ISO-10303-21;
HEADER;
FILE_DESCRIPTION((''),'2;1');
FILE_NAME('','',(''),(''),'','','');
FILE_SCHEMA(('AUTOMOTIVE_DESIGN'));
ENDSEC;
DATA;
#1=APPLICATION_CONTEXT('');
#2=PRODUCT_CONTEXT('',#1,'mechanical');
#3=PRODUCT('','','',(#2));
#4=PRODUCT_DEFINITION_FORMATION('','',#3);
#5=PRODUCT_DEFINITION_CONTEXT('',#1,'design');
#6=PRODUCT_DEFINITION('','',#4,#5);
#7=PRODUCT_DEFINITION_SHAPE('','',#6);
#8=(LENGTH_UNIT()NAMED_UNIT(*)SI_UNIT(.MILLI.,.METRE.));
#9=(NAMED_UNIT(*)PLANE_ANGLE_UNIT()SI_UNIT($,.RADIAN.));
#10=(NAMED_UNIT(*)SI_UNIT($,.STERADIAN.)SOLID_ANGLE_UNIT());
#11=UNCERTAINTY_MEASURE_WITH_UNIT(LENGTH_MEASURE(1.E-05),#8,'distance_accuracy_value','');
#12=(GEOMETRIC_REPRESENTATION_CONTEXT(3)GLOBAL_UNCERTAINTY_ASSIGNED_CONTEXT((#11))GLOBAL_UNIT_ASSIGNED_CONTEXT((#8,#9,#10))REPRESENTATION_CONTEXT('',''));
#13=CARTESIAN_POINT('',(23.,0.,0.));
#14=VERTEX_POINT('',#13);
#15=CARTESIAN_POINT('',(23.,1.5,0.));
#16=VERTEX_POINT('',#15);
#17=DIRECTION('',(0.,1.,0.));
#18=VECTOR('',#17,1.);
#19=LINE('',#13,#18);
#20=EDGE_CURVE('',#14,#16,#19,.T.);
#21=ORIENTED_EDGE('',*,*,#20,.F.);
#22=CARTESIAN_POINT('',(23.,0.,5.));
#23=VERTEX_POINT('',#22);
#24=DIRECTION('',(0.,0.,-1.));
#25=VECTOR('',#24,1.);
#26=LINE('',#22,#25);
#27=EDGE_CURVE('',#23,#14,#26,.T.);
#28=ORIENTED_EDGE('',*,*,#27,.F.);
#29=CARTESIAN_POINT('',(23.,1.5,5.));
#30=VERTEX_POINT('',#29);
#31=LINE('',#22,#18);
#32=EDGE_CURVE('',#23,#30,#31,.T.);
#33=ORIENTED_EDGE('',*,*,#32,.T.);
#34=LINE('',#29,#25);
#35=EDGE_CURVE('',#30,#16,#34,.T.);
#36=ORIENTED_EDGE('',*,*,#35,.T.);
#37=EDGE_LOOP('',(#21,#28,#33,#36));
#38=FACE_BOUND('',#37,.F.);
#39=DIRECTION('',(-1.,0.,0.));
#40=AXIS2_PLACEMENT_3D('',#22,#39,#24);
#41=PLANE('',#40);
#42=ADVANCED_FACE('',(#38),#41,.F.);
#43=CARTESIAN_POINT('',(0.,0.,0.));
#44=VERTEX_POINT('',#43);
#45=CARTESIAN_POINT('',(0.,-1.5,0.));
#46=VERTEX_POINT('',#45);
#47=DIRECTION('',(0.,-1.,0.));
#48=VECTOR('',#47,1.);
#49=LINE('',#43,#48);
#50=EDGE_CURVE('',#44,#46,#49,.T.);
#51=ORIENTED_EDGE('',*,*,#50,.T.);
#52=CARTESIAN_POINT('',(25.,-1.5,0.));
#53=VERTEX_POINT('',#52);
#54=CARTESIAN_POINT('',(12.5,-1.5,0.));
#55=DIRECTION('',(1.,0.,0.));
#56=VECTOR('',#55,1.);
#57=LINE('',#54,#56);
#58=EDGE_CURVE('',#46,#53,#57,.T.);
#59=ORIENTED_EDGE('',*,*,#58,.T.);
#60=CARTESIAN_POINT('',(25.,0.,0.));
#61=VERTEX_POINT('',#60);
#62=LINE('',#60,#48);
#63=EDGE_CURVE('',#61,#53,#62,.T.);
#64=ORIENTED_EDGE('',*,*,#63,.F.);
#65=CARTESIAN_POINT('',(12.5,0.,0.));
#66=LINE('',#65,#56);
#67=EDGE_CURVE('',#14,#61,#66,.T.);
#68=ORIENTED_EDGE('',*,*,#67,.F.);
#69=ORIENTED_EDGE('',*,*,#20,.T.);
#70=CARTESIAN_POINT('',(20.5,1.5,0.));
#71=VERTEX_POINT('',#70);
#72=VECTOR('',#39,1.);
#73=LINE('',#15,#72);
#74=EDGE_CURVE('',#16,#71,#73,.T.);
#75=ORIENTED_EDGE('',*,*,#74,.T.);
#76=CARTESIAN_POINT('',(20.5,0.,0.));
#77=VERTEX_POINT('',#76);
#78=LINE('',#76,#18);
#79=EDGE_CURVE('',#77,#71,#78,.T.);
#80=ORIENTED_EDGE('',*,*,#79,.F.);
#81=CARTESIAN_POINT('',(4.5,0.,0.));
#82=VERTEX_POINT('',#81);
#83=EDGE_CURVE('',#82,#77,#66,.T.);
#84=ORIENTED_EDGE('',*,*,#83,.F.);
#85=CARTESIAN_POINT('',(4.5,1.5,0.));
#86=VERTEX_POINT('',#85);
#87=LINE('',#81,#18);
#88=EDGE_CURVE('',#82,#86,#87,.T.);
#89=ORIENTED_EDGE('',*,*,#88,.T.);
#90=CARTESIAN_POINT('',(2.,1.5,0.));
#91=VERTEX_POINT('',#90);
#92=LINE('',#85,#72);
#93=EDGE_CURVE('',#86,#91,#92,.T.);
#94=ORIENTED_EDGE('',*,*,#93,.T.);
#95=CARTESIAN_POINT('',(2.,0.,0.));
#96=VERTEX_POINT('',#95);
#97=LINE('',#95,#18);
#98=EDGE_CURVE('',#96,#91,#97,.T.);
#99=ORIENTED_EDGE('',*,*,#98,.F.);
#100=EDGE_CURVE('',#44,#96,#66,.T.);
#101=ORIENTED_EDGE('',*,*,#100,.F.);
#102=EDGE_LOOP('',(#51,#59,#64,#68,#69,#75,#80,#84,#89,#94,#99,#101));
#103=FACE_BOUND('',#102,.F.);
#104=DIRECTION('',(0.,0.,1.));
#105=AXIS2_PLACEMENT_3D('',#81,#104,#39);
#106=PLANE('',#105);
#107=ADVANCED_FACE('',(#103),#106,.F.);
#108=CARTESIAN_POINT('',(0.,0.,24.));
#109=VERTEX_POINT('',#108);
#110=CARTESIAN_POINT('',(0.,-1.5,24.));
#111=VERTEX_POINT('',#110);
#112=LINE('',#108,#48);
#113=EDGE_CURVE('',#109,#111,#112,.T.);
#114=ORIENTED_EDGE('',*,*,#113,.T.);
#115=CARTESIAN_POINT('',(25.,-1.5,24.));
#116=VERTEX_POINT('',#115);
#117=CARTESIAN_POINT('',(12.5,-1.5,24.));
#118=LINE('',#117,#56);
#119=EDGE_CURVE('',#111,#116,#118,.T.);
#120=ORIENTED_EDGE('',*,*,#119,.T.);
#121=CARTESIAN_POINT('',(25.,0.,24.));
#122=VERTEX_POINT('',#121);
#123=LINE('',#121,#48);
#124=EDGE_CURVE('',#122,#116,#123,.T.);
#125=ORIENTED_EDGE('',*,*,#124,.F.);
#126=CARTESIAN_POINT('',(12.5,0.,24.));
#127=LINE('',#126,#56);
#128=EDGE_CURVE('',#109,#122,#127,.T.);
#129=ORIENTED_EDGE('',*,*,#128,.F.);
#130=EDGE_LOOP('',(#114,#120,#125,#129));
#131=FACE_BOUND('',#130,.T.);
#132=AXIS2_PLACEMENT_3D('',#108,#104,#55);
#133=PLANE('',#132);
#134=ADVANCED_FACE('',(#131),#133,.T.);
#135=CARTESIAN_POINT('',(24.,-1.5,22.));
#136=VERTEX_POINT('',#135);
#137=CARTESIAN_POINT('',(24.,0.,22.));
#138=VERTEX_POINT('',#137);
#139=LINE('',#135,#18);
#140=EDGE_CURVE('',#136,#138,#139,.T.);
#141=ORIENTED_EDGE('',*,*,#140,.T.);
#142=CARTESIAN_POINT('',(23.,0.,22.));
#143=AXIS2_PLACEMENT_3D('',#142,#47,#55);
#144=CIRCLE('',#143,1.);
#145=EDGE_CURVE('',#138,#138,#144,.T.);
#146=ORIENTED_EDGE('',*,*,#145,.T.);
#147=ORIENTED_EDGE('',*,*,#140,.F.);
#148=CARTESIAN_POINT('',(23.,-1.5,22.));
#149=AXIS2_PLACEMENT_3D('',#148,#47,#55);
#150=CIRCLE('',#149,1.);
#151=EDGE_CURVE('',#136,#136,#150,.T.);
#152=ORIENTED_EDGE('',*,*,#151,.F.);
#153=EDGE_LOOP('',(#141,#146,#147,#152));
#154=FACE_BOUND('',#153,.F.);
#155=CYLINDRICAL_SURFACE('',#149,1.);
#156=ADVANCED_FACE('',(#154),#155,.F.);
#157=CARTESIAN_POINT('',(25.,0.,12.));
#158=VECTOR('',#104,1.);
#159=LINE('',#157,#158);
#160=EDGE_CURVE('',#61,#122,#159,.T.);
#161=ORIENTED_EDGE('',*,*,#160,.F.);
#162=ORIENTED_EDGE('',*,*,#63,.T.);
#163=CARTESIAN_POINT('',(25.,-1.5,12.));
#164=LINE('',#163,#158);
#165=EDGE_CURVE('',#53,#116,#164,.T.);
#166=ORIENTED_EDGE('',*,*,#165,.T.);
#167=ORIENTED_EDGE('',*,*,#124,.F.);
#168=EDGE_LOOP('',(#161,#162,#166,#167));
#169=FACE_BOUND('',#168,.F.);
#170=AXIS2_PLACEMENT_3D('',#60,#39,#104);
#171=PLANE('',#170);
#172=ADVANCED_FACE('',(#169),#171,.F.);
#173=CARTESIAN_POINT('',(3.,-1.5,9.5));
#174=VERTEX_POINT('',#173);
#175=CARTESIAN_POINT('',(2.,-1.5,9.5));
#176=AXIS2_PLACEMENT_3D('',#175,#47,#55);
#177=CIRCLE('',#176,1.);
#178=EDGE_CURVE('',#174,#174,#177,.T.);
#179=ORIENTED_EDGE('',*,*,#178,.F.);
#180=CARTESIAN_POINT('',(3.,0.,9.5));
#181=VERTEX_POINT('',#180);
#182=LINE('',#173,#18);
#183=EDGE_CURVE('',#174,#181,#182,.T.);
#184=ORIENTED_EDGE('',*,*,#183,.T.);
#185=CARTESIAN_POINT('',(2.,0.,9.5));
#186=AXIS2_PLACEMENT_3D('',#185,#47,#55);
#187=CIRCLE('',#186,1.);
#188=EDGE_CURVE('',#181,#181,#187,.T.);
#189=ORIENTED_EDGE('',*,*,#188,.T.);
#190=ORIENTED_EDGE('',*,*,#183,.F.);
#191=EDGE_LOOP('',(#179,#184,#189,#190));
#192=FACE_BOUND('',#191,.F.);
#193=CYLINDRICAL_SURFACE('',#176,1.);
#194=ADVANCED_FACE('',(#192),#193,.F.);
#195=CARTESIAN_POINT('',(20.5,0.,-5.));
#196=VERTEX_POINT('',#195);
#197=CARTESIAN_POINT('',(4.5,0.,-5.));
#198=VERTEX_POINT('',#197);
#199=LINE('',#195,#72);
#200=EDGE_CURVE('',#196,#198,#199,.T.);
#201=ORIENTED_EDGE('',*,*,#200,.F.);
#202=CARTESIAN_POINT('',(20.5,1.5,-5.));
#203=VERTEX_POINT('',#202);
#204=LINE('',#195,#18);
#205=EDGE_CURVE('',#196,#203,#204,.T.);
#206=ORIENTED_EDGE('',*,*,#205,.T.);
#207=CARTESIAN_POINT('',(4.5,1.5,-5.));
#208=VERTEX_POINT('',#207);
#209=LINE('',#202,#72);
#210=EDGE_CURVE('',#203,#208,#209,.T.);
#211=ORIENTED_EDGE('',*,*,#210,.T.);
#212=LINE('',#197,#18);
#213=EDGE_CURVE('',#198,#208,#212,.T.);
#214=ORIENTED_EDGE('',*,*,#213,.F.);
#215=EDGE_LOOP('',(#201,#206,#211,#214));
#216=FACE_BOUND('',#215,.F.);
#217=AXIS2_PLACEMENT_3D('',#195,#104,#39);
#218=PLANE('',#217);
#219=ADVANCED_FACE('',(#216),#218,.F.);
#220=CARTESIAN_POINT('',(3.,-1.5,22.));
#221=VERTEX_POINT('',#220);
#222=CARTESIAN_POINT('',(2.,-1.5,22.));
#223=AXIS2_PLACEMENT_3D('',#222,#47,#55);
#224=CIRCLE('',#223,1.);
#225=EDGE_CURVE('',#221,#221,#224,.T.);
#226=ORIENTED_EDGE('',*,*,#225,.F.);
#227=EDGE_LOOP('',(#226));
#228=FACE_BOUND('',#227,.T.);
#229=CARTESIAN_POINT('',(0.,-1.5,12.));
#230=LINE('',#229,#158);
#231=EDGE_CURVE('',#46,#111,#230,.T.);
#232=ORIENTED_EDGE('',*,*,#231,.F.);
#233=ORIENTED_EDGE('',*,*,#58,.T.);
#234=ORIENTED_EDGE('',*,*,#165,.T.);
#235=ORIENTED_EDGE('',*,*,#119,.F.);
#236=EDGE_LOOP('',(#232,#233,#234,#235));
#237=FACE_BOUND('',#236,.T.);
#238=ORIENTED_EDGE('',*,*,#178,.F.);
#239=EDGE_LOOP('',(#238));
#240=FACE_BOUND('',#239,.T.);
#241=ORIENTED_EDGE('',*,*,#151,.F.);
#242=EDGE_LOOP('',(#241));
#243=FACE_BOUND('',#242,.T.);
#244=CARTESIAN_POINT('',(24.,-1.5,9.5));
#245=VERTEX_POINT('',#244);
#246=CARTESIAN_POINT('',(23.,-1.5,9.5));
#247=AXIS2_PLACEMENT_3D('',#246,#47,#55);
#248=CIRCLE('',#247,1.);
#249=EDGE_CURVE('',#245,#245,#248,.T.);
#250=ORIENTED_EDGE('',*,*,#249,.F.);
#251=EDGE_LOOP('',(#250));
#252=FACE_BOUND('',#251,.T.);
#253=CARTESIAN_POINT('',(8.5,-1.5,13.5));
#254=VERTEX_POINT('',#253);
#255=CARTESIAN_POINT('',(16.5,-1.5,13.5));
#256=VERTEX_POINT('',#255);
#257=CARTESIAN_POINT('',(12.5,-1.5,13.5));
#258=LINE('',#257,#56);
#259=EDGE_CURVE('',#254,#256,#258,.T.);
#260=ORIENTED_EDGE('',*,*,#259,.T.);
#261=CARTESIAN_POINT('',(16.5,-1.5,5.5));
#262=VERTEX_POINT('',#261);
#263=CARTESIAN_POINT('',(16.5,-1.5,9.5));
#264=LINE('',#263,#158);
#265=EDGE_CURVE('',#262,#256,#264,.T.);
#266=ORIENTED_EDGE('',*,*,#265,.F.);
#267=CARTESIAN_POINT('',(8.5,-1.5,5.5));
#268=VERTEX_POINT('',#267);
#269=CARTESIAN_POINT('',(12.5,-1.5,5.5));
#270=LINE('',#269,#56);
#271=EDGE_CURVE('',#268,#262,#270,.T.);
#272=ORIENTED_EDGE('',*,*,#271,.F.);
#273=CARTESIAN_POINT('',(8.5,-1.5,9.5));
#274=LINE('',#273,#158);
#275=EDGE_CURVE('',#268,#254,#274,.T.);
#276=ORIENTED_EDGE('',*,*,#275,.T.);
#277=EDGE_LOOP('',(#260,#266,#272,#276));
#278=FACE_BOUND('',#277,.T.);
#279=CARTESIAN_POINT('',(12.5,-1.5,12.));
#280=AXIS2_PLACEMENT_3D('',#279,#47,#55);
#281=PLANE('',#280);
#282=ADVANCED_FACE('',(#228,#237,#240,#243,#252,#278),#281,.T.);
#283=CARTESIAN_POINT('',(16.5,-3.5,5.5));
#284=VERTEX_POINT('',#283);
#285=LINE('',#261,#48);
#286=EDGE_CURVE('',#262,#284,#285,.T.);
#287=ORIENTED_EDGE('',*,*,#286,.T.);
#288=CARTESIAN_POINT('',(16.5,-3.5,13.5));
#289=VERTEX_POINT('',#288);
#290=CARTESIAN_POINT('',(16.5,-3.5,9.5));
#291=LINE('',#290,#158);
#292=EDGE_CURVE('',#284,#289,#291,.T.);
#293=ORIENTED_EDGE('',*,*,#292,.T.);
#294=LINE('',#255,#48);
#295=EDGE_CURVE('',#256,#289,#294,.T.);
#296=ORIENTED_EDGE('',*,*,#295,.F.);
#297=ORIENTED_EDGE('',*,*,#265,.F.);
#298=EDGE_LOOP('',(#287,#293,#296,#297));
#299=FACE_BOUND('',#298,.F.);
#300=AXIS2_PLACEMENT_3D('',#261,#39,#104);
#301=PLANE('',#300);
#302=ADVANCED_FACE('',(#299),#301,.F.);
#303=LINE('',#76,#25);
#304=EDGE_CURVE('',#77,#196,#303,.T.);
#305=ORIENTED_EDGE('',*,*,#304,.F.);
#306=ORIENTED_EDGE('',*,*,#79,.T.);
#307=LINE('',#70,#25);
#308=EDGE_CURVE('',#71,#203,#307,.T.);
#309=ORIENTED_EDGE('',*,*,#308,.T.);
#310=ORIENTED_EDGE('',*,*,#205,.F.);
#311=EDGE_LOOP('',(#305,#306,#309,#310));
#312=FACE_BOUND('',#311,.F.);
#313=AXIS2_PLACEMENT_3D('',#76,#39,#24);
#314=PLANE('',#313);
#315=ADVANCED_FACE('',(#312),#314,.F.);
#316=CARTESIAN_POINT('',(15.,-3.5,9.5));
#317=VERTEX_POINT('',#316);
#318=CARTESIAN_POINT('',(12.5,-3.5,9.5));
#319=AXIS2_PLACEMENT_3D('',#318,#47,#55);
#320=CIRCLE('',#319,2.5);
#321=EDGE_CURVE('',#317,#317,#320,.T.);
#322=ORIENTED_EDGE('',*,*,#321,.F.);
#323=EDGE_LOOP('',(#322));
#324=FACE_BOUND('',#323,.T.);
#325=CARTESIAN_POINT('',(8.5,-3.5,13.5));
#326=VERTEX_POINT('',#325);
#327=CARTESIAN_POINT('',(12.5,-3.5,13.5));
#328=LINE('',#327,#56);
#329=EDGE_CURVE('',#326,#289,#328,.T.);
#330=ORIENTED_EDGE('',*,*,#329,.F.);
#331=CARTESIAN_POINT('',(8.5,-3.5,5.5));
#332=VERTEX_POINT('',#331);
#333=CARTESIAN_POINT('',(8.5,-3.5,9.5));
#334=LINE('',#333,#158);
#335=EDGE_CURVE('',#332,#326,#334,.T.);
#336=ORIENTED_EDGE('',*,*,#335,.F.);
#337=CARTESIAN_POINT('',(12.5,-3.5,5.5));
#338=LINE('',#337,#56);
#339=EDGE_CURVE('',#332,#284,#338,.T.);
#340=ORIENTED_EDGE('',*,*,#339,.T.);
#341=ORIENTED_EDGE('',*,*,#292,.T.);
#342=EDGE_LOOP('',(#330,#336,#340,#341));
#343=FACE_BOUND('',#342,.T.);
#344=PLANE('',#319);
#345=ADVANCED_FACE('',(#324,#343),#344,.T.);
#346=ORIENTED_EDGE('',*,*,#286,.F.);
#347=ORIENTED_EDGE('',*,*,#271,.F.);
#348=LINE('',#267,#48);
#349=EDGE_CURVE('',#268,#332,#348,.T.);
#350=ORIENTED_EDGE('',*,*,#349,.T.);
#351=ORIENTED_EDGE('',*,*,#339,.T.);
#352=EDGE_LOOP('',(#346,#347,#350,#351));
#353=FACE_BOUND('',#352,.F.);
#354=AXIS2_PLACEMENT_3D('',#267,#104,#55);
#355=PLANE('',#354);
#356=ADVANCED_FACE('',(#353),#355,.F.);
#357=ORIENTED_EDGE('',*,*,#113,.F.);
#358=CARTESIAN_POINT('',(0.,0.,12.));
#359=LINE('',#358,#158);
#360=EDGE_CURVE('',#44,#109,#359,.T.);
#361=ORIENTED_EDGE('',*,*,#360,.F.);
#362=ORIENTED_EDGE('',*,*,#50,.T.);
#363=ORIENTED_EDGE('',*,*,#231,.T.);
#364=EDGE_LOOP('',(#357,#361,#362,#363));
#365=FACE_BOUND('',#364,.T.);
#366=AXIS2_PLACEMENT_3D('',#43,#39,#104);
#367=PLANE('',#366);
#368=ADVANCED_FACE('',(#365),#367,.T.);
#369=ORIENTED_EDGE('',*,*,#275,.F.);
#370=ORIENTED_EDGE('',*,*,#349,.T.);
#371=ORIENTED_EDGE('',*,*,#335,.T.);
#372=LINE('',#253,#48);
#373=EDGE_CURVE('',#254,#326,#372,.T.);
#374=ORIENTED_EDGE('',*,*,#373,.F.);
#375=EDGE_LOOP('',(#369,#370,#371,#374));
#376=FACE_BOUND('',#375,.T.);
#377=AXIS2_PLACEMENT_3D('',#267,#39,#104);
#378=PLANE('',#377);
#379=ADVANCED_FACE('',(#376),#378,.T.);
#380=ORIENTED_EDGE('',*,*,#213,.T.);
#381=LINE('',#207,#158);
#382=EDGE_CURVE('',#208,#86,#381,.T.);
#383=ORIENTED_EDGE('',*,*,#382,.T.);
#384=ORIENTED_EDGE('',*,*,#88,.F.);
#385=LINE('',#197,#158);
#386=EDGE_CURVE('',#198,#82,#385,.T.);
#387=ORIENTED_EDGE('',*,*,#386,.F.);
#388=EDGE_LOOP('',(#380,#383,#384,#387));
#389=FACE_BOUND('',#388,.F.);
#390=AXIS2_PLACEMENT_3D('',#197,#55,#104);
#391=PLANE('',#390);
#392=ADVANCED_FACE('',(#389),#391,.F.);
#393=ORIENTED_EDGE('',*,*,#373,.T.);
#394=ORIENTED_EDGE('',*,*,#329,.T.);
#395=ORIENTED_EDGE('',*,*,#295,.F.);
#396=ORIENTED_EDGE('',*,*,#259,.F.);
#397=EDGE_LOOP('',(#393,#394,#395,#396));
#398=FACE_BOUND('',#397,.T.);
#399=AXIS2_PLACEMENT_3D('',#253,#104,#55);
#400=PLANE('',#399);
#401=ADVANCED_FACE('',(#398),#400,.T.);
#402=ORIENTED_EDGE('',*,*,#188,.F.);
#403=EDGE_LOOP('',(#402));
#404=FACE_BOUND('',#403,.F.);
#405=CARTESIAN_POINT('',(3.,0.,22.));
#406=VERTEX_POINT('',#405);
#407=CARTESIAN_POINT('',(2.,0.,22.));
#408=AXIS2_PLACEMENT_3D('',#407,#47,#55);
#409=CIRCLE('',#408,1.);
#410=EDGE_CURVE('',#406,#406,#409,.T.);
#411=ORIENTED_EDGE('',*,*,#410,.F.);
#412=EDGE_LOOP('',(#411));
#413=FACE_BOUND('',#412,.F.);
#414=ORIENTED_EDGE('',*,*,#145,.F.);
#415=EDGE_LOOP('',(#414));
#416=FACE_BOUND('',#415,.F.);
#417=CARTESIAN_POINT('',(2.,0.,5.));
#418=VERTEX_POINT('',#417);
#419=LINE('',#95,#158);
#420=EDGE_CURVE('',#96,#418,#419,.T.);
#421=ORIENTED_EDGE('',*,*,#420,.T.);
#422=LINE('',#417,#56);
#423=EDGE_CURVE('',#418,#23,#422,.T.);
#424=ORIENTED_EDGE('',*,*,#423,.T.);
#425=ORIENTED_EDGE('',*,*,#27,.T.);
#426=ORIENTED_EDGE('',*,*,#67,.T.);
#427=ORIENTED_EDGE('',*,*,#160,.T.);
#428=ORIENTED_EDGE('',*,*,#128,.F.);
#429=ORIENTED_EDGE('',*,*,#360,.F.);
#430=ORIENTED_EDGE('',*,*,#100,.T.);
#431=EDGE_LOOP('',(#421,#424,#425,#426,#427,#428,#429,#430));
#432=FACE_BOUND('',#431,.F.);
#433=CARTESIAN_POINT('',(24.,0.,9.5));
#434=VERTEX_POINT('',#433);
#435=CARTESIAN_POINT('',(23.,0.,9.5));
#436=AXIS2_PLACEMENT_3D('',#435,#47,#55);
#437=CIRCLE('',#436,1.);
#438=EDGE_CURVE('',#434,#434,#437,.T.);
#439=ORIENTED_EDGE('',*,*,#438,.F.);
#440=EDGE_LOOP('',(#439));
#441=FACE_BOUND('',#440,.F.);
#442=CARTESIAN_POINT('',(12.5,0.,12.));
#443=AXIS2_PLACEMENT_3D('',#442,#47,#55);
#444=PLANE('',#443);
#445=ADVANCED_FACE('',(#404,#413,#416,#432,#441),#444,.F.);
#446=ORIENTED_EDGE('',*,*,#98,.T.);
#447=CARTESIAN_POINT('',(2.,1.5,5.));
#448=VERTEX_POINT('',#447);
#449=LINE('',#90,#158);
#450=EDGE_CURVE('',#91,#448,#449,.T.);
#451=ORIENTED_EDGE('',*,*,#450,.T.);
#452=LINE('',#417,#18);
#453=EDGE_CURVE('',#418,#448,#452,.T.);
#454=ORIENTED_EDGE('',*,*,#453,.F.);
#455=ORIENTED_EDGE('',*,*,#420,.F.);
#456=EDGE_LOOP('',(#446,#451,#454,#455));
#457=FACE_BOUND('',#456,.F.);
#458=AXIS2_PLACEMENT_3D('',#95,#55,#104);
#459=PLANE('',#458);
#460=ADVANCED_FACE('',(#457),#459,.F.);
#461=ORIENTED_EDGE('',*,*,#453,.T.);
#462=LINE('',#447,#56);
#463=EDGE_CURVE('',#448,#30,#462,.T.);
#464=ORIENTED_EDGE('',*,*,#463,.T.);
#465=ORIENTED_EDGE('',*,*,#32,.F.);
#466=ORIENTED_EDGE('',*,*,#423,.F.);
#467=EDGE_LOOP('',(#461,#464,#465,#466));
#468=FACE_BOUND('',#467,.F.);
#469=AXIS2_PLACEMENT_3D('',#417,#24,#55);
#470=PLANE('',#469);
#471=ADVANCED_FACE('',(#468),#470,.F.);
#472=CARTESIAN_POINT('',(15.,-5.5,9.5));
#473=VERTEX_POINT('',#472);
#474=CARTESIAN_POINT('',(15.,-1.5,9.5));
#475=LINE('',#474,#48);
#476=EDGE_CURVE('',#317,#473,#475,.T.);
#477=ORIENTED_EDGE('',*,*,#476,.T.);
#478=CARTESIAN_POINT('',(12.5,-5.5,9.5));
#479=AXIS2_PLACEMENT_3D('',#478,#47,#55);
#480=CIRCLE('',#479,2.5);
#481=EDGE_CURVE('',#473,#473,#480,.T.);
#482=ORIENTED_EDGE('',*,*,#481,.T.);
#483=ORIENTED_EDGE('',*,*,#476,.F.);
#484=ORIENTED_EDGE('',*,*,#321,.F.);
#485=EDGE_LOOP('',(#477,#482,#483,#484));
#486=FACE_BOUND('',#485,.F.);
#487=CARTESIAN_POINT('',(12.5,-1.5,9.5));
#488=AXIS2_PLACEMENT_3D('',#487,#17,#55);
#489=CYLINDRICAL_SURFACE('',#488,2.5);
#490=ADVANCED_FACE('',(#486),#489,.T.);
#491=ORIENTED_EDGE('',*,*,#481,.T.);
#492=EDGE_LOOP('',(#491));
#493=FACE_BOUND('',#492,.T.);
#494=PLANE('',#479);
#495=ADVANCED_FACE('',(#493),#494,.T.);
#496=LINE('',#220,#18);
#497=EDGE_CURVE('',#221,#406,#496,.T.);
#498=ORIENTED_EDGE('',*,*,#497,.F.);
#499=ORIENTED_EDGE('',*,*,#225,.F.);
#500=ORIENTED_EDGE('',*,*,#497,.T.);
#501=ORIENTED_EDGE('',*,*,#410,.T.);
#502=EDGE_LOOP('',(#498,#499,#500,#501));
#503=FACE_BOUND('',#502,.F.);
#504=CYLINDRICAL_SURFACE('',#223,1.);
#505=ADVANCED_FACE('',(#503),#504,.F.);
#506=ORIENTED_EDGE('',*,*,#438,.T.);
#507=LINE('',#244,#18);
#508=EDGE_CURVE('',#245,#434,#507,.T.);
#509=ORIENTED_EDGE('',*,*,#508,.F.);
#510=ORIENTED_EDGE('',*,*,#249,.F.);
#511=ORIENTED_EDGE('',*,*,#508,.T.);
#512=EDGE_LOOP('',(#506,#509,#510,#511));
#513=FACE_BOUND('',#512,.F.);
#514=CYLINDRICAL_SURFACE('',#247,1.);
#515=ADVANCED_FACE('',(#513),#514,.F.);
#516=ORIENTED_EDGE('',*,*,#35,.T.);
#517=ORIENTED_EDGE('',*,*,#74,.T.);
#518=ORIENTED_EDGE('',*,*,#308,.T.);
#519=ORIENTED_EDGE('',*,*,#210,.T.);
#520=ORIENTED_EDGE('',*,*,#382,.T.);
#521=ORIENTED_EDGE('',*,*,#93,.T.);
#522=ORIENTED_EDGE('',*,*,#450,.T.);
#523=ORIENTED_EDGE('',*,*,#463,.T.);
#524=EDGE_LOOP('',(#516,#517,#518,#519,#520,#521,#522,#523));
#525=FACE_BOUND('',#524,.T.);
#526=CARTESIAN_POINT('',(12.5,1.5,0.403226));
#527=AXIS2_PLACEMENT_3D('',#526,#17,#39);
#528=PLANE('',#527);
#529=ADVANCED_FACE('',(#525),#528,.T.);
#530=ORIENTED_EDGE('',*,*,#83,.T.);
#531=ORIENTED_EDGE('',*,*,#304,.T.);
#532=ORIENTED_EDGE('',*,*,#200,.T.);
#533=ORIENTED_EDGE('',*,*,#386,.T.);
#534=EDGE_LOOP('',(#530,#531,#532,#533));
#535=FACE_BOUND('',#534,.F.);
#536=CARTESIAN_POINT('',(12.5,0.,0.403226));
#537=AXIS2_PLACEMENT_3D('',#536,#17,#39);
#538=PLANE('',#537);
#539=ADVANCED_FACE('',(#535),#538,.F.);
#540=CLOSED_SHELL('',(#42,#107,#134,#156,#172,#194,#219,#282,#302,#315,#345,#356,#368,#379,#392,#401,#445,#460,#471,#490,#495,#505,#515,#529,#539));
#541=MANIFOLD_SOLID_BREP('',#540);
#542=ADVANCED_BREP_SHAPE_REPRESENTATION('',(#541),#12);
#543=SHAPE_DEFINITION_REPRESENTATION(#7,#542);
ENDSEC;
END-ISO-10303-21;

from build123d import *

# Parameters (mm, degrees)
F0_W      = 25
F0_H      = 24
F1_DEPTH  = 1.5
F2_R      = 1
F3_DEPTH  = 1.501
F4_W      = 8
F4_H      = 8
F4_R      = 2.5
F5_DEPTH  = 2
F5_FACE_R = 2.5
F6_DEPTH  = 4
F8_DEPTH  = 1.5


with BuildPart() as f1:
    # F0 (on Front) → F1 (new body)
    with BuildSketch(Plane.XZ):
        with Locations((12.5, 12)):
            Rectangle(F0_W, F0_H)
    extrude(amount=F1_DEPTH)

    # F2 (on face) → F3 (cut, through all)
    with BuildSketch(Plane.XZ.offset(1.5)):
        with Locations((2, 22)):
            Circle(F2_R)
        with Locations((2, 9.5)):
            Circle(F2_R)
        with Locations((23, 22)):
            Circle(F2_R)
        with Locations((23, 9.5)):
            Circle(F2_R)
    extrude(amount=-F3_DEPTH, mode=Mode.SUBTRACT)

    # F4 (on face) → F5 (join)
    with BuildSketch(Plane.XZ.offset(1.5)):
        with Locations((12.5, 9.5)):
            Rectangle(F4_W, F4_H)
        with Locations((12.5, 9.5)):
            Circle(F4_R, mode=Mode.SUBTRACT)
    extrude(amount=F5_DEPTH)

    # F5_face (on face) → F6 (join)
    with BuildSketch(Plane(origin=(12.5, -1.5, 9.5), x_dir=(1, 0, 0), z_dir=(0, -1, 0))):
        Circle(F5_FACE_R)
    extrude(amount=F6_DEPTH)

    # F7 (on face) → F8 (join)
    with BuildSketch(Plane(origin=(0, 0, 0), x_dir=(-1, 0, 0), z_dir=(0, 1, 0))):
        Polygon((-2, 0), (-2, 5), (-23, 5), (-23, 0), (-20.5, 0), (-20.5, -5), (-4.5, -5), (-4.5, 0), align=None)
    extrude(amount=F8_DEPTH)


solid = f1.part
